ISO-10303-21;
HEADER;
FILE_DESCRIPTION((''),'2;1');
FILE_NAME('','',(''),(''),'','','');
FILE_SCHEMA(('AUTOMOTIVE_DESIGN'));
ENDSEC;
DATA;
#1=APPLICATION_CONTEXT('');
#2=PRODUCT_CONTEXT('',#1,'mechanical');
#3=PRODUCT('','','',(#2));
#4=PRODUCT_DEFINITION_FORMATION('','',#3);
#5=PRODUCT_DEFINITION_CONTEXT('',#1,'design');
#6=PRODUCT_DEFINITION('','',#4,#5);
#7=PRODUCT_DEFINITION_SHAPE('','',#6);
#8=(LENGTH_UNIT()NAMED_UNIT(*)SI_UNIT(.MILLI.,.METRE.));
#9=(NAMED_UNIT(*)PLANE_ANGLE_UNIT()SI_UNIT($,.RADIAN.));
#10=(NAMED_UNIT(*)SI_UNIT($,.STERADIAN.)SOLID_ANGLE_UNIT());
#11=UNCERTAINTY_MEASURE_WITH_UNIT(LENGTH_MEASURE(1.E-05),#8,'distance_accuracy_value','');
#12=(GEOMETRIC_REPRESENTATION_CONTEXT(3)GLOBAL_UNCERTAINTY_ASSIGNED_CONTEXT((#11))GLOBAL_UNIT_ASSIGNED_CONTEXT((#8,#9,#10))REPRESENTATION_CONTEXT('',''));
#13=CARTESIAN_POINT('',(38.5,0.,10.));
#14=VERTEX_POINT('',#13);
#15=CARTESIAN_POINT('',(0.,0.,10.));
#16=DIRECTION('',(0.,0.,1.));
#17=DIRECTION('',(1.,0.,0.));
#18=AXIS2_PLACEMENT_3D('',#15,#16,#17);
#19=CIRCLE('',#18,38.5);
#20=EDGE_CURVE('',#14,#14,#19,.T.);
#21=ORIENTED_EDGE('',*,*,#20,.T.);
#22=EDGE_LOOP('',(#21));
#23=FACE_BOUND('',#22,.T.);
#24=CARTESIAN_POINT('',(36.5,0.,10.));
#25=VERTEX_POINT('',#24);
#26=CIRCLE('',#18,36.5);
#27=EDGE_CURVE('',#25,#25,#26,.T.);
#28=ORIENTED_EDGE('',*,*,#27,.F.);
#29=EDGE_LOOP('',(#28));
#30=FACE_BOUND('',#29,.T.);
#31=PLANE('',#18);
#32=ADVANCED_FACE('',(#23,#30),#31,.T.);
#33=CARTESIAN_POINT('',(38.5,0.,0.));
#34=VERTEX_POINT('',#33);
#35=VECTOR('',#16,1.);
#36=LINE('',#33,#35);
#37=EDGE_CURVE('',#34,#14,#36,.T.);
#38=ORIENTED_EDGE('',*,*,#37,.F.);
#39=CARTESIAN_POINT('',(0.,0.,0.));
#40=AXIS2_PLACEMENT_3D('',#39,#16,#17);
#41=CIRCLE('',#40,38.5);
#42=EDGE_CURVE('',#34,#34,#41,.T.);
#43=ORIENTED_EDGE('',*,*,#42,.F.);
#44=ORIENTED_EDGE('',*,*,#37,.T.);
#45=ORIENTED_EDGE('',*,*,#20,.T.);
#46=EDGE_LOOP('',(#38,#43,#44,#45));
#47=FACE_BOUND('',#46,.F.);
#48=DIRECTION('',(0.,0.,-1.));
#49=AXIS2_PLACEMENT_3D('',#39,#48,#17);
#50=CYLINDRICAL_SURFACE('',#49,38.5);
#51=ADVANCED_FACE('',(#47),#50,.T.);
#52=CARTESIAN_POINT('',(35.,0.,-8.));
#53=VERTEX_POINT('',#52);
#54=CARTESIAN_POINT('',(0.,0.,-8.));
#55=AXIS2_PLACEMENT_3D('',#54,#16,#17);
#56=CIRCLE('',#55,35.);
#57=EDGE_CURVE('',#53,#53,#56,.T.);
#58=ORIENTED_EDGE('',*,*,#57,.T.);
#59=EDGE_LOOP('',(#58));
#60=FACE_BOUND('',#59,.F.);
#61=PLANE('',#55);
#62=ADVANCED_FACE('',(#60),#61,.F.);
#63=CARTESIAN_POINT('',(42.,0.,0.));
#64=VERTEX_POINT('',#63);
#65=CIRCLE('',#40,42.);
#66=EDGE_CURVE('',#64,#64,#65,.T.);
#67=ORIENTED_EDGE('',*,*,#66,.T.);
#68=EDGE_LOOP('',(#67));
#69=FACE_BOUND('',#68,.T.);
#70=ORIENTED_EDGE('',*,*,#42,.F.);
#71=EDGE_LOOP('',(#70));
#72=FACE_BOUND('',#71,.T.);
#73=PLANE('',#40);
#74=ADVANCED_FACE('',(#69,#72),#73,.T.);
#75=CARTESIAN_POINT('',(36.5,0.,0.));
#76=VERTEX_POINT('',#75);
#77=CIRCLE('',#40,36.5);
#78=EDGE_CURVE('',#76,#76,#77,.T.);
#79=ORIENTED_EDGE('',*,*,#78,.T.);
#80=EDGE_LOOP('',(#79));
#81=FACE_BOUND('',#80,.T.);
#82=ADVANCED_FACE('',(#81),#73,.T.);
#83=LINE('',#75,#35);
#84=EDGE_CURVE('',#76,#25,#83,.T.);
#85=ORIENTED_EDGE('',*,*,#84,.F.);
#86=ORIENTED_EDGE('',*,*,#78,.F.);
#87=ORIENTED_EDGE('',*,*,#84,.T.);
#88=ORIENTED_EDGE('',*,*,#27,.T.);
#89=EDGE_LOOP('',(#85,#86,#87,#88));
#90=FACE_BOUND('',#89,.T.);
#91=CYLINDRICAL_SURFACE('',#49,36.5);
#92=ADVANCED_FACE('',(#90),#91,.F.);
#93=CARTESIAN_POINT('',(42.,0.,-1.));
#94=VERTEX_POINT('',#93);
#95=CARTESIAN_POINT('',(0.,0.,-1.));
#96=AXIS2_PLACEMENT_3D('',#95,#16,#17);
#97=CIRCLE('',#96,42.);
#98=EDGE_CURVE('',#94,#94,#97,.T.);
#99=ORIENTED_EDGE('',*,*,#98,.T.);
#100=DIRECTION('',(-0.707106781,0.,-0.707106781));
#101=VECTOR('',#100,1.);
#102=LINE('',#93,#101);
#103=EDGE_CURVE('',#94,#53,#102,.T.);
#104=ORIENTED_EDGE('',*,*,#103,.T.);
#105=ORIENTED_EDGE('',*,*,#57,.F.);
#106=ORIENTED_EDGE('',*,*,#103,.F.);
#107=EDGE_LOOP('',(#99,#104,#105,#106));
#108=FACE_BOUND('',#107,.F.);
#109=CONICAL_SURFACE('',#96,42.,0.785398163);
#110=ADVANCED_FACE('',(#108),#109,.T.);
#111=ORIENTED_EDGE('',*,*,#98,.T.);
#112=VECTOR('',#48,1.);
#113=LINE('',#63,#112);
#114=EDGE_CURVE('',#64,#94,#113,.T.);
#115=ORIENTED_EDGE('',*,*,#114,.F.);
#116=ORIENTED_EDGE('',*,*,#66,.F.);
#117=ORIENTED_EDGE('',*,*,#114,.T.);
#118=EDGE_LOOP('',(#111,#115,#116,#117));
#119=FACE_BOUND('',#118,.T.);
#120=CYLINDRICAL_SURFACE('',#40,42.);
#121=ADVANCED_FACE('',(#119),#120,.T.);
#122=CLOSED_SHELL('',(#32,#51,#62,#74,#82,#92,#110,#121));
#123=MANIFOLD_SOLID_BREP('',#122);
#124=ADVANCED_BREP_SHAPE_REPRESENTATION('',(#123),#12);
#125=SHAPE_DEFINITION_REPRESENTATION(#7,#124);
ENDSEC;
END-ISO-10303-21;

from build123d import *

# Parameters (mm, degrees)
F0_R     = 38.5
F0_R_2   = 36.5
F1_DEPTH = 10
F2_R     = 42
F3_DEPTH = 8
F4_SIZE  = 7


with BuildPart() as f1:
    # F0 (on Top) → F1 (new body)
    with BuildSketch(Plane.XY):
        Circle(F0_R)
        Circle(F0_R_2, mode=Mode.SUBTRACT)
    extrude(amount=F1_DEPTH)

    # F2 (on Top) → F3 (join)
    with BuildSketch(Plane.XY):
        Circle(F2_R)
    extrude(amount=-F3_DEPTH)

    # F4
    f4_edges = [f1.edges().sort_by_distance(p)[0] for p in [
        (-42, 0, -8),
    ]]
    chamfer(f4_edges, length=F4_SIZE)


solid = f1.part
